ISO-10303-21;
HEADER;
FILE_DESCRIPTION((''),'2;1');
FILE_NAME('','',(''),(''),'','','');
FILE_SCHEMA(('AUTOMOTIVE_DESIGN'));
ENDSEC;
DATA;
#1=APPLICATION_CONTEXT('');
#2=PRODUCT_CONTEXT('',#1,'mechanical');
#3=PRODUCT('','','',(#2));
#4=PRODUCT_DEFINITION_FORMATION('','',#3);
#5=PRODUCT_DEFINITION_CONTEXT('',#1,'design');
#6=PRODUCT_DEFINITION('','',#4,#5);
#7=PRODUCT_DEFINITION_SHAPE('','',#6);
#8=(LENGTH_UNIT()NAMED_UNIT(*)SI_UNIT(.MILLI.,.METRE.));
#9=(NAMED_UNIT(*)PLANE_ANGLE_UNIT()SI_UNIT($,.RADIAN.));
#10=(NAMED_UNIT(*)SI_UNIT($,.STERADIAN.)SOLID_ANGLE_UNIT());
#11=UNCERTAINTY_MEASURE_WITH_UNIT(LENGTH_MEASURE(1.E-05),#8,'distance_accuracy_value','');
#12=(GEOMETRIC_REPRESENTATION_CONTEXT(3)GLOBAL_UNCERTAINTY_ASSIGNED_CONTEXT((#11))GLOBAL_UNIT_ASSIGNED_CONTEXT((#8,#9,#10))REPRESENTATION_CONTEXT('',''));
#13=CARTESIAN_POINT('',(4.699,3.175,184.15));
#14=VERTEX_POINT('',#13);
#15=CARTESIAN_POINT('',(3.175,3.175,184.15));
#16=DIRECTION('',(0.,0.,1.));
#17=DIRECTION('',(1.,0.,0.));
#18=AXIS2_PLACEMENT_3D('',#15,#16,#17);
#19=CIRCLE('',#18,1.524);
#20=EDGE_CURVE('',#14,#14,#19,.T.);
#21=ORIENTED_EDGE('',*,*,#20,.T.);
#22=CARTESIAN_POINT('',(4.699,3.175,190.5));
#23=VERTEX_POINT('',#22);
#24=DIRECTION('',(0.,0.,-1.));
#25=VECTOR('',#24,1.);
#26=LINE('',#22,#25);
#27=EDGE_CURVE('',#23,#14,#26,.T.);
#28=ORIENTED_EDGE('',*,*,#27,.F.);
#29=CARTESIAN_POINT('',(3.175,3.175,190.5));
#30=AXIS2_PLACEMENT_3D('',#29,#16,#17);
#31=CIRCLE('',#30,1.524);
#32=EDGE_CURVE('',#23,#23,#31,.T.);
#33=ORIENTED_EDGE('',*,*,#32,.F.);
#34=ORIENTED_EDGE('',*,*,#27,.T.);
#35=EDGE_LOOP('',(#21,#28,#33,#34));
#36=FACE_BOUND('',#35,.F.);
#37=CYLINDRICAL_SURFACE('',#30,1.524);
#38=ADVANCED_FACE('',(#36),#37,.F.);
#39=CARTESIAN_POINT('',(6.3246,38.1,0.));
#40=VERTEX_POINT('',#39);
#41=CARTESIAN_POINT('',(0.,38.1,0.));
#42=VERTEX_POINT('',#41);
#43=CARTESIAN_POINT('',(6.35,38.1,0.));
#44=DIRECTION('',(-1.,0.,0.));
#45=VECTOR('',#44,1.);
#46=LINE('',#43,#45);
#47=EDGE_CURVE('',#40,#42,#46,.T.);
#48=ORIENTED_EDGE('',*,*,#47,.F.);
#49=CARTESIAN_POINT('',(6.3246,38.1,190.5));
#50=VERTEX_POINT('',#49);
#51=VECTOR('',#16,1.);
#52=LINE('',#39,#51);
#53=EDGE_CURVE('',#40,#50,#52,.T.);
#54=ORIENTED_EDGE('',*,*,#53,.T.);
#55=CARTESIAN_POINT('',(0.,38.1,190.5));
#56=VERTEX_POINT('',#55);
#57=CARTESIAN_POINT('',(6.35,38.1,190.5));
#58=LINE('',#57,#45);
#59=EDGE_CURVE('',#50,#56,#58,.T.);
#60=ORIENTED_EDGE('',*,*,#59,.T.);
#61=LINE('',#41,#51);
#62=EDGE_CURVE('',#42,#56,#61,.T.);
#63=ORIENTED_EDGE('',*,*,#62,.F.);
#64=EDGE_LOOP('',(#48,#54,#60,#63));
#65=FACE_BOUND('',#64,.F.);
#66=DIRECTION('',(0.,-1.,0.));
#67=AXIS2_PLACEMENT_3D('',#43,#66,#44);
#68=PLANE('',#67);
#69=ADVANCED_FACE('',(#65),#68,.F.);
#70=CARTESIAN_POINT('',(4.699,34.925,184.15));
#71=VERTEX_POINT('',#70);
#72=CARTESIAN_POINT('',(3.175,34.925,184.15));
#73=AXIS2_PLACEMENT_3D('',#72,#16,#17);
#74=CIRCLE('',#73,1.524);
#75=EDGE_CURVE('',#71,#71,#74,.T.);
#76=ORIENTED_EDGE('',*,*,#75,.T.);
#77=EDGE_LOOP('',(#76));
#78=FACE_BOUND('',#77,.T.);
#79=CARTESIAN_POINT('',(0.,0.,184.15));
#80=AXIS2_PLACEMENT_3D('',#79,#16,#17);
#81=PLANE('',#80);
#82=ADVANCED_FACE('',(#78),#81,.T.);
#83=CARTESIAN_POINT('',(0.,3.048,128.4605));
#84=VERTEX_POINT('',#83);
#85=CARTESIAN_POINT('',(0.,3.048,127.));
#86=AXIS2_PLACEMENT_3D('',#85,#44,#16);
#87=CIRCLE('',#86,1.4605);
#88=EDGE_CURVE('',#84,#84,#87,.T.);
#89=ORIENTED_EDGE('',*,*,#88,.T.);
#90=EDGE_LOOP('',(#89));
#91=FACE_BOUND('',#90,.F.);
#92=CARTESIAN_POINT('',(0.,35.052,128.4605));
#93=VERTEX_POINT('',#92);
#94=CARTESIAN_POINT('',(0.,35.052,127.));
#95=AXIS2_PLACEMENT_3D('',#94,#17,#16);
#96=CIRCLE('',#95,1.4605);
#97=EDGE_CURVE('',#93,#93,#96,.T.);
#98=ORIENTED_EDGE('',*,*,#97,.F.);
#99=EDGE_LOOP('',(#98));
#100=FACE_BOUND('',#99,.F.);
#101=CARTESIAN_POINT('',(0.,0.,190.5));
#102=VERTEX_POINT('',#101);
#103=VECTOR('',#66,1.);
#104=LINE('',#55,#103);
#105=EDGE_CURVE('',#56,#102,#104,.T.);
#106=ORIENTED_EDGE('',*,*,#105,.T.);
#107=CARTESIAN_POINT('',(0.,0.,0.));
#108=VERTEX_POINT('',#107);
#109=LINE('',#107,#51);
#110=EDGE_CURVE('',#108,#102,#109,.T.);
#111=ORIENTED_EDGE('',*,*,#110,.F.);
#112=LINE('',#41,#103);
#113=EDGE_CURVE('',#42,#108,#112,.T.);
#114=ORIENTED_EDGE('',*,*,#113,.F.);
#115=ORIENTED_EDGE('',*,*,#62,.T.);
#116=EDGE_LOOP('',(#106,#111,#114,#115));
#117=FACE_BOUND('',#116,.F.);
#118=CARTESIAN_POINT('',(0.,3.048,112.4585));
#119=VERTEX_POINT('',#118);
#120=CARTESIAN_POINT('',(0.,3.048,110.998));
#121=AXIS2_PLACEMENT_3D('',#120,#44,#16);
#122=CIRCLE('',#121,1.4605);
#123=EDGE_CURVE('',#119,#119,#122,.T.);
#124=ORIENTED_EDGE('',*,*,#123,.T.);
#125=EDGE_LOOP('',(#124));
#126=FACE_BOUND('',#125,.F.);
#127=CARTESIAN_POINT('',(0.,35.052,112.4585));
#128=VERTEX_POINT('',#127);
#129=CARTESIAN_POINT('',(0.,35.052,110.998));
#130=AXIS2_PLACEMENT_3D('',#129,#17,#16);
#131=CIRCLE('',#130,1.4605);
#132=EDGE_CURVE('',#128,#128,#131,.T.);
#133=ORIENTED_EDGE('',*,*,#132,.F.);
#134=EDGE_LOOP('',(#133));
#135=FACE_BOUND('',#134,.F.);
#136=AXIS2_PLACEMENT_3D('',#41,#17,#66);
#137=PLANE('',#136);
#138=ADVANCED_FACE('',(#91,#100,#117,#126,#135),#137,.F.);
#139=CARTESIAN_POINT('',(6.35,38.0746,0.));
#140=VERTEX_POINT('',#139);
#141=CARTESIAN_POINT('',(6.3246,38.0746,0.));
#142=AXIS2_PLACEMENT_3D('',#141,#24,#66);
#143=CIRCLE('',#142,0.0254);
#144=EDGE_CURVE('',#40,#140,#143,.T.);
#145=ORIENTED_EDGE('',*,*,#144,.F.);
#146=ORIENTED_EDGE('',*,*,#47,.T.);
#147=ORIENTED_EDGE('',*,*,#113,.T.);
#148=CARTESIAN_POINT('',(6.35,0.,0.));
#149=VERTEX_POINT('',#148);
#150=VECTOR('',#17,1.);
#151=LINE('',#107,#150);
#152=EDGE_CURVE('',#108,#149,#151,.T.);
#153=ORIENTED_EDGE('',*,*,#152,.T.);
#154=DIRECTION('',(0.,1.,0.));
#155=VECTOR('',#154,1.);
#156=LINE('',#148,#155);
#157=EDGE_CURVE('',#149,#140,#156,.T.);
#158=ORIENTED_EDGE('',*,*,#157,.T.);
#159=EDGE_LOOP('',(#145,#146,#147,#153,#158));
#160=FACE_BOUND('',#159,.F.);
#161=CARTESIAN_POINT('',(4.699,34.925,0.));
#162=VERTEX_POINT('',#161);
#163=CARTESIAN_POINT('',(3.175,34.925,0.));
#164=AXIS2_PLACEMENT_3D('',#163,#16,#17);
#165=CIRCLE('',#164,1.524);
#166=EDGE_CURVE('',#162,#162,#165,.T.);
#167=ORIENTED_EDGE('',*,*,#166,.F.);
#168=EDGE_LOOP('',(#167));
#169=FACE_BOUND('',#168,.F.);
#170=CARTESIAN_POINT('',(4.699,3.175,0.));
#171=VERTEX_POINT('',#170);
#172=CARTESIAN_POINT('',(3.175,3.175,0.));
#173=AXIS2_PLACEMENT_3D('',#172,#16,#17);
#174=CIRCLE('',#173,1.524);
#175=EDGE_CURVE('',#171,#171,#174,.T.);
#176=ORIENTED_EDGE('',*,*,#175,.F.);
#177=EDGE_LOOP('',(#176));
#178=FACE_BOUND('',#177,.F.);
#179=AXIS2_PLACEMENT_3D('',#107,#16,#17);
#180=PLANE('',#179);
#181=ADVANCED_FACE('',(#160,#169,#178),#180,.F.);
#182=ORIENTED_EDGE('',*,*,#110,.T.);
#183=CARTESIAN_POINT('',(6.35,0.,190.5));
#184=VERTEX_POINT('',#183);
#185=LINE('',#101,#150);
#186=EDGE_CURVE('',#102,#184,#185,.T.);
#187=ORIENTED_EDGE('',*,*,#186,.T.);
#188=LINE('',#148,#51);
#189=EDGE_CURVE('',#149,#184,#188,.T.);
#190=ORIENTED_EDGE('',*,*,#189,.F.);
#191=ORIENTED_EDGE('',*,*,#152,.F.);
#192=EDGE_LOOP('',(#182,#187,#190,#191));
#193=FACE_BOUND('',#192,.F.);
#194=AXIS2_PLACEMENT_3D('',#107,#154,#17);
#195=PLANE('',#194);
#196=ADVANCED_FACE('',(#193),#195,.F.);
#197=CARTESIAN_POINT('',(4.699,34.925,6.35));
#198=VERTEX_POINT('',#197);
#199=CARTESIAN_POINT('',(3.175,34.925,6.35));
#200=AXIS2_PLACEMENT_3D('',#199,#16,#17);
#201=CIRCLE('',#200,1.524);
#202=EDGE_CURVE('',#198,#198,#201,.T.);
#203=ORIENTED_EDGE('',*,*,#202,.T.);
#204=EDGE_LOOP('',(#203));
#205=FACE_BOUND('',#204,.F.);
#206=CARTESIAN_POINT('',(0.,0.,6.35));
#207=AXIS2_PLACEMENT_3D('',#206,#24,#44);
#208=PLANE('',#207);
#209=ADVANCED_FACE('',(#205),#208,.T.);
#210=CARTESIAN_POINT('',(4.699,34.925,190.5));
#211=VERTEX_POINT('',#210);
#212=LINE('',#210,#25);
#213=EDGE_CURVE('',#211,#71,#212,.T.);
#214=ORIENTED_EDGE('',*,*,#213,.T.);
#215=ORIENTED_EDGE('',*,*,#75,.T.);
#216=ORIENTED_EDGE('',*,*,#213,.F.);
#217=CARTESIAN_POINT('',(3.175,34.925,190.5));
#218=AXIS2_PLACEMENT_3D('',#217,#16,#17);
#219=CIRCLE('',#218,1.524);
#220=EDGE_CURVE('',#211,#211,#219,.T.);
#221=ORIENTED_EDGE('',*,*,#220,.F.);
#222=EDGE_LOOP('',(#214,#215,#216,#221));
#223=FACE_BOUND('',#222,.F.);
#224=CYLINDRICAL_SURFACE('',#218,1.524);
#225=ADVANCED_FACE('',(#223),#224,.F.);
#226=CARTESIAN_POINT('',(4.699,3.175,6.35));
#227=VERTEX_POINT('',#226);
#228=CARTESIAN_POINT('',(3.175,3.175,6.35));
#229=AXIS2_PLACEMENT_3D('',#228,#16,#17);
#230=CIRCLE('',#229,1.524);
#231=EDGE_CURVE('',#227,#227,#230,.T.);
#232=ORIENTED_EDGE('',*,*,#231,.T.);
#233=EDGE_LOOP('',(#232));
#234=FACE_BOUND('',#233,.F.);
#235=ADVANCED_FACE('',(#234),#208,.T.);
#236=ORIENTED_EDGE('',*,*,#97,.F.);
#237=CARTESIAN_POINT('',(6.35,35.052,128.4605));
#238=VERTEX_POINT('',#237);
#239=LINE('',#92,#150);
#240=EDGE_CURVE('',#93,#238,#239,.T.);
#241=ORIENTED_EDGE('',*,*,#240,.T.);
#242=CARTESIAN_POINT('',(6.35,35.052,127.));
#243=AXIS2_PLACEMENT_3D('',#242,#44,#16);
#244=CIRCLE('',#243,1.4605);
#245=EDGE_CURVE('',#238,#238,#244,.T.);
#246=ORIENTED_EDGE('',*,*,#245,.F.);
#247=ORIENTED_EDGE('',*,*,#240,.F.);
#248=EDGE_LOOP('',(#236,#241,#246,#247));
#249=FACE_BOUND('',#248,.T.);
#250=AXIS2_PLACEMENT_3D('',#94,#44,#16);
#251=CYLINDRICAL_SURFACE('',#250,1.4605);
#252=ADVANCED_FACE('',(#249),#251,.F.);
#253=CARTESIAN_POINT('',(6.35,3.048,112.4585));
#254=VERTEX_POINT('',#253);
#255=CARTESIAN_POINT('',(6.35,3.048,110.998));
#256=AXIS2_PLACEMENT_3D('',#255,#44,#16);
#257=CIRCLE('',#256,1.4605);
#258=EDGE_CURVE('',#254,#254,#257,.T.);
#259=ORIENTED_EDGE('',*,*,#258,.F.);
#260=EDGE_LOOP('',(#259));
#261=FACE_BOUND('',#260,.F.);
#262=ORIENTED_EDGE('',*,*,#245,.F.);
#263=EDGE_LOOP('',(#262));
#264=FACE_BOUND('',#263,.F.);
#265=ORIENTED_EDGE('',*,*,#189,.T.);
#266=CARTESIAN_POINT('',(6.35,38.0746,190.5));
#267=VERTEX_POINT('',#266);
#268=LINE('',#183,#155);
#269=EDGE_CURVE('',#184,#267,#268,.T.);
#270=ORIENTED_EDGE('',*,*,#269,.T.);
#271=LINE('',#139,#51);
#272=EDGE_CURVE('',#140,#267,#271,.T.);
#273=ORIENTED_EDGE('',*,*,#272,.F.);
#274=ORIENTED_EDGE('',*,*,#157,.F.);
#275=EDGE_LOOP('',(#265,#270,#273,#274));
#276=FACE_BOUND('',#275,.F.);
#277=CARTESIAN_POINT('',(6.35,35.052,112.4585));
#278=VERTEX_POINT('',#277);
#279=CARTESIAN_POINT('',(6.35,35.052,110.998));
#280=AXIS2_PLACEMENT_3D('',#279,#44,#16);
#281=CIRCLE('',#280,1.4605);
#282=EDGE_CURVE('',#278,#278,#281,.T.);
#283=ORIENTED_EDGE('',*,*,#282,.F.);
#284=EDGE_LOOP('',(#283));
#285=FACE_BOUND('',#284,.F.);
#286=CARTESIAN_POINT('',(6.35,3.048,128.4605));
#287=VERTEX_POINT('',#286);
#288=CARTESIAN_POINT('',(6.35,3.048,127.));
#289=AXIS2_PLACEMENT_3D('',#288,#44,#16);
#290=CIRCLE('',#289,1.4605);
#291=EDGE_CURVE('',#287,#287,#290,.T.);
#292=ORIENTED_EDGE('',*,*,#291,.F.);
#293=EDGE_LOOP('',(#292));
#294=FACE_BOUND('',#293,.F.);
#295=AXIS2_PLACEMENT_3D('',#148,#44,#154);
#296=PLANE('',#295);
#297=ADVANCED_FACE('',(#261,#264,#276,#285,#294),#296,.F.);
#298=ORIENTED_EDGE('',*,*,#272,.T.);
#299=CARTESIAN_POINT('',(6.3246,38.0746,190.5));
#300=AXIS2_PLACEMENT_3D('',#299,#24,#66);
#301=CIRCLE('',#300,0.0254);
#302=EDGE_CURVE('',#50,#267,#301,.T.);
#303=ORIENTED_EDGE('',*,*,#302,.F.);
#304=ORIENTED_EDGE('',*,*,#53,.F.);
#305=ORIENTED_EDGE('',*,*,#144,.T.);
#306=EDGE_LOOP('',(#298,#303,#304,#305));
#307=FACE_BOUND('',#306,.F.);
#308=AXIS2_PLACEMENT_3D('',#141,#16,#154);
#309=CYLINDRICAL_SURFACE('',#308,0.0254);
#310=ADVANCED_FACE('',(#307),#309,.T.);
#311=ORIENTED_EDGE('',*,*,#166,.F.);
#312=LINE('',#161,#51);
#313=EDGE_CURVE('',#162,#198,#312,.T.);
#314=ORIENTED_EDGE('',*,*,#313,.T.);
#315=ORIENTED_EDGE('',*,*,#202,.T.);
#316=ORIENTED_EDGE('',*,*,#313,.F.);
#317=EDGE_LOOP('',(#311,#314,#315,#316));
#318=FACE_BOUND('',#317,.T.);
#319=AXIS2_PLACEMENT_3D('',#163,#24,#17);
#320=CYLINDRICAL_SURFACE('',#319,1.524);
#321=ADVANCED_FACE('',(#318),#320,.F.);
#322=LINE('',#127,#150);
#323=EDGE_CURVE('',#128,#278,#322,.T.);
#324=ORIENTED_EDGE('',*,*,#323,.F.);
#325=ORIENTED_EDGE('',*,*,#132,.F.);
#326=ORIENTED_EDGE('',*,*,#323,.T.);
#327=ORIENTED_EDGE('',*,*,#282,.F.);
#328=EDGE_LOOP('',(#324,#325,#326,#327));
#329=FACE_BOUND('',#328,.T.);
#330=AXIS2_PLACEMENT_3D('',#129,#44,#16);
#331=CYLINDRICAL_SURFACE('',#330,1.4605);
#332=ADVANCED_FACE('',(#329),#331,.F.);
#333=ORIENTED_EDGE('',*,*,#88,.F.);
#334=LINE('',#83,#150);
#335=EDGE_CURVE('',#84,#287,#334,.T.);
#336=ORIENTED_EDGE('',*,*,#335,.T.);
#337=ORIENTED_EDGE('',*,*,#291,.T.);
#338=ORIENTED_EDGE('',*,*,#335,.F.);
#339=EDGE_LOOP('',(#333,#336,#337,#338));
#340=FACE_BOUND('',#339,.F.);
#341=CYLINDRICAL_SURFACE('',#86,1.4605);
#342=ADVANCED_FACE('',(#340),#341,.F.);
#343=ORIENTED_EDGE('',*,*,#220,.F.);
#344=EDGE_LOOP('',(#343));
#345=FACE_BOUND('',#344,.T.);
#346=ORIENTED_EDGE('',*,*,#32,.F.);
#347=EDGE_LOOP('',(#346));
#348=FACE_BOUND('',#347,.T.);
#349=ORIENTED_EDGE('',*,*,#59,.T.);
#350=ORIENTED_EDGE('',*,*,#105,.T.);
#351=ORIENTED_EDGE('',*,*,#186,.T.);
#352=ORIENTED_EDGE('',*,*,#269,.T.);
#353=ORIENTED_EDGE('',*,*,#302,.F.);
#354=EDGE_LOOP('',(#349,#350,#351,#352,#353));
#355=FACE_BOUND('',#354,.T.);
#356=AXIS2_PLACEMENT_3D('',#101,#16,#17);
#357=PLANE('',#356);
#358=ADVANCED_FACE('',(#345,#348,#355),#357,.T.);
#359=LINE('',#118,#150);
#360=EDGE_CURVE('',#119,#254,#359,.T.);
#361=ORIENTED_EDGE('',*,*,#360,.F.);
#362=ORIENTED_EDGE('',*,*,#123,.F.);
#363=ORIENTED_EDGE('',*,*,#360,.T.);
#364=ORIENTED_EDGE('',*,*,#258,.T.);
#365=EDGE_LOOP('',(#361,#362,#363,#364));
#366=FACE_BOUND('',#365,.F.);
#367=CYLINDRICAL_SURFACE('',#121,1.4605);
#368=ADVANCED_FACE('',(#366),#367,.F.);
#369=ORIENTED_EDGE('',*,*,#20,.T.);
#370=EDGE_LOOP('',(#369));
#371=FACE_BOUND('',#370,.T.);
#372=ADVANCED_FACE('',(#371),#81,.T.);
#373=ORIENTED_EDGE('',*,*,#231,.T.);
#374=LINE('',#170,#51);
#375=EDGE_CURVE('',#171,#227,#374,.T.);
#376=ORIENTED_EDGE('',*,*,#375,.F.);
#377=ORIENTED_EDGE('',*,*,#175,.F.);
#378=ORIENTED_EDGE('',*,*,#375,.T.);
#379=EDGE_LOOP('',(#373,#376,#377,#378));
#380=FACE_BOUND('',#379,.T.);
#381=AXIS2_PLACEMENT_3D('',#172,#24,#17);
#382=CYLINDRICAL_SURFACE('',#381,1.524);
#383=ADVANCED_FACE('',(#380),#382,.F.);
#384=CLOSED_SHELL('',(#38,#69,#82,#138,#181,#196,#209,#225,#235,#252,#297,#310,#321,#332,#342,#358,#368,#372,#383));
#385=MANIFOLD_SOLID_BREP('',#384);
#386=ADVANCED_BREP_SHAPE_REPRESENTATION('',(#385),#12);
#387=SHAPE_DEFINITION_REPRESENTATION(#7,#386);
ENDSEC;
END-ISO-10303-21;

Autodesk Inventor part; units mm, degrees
ref_plane "YZ Plane" through (0, 0, 0) normal (1, 0, 0) x (0, 1, 0)
sketch "Sketch1" plane through (0, 0, 0) normal (0, 0, 1) x (1, 0, 0)
  line L0 (0, 0) -> (6.35, 0)
  line L1 (6.35, 0) -> (6.35, 38.1)
  line L2 (6.35, 38.1) -> (0, 38.1)
  line L3 (0, 38.1) -> (0, 0)
  dimension "d0" = 6.35
  dimension "d1" = 38.1
extrude "Extrusion1" add sketch "Sketch1" along normal blind 190.5
sketch "Sketch2" plane through (0, 0, 190.5) normal (0, 0, 1) x (1, 0, 0)
  circle A0 centre (3.175, 3.175) radius 1.524
  circle A1 centre (3.175, 34.925) radius 1.524
  line L0 (0, 38.1) -> (0, 0) projected
  line L1 (6.35, 38.1) -> (0, 38.1) projected
  line L2 (6.35, 0) -> (6.35, 38.1) projected
  line L3 (0, 0) -> (6.35, 0) projected
  dimension "d4" = 3.048
  dimension "d5" = 3.048
  dimension "d6" = 3.175
  dimension "d7" = 3.175
  dimension "d8" = 3.175
  dimension "d9" = 3.175
extrude "Extrusion2" cut sketch "Sketch2" against normal blind 6.35 contours A0 | A1
ref_plane "Work Plane1" through (0, 0, 95.25) normal (0, 0, 1) x (1, 0, 0)
mirror "Mirror1" about plane through (0, 0, 95.25) normal (0, 0, 1) of "Extrusion2"
sketch "Sketch3" plane through (0, 0, 0) normal (-1, 0, 0) x (0, 0, 1)
  line L0 (0, 0) -> (190.5, 0) projected
  line L1 (190.5, 38.1) -> (190.5, 0) projected
  line L2 (0, 38.1) -> (0, 0) projected
  circle A0 centre (110.998, 3.048) radius 1.4605
  circle A1 centre (127, 3.048) radius 1.4605
  dimension "d12" = 3.048
  dimension "d13" = 3.048
  dimension "d14" = 16.002
  dimension "d15" = 63.5
  dimension "d16" = 110.998
  dimension "d17" = 2.921
  dimension "d18" = 2.921
extrude "Extrusion3" cut sketch "Sketch3" against normal through all
ref_plane "Work Plane2" through (0, 19.05, 0) normal (0, 1, 0) x (1, 0, 0)
mirror "Mirror2" about plane through (0, 19.05, 0) normal (0, 1, 0) of "Extrusion3"
fillet "Fillet1" radius 0.0254 1 edges at (6.35, 38.1, 95.25)
equation "\"d4\" = d5"
equation "\"d7\" = d6"
equation "\"d8\" = d6"
equation "\"d9\" = d6"
equation "\"d13\" = d12"
equation "\"d17\" = d18"
properties part number "Motor mount bar"
